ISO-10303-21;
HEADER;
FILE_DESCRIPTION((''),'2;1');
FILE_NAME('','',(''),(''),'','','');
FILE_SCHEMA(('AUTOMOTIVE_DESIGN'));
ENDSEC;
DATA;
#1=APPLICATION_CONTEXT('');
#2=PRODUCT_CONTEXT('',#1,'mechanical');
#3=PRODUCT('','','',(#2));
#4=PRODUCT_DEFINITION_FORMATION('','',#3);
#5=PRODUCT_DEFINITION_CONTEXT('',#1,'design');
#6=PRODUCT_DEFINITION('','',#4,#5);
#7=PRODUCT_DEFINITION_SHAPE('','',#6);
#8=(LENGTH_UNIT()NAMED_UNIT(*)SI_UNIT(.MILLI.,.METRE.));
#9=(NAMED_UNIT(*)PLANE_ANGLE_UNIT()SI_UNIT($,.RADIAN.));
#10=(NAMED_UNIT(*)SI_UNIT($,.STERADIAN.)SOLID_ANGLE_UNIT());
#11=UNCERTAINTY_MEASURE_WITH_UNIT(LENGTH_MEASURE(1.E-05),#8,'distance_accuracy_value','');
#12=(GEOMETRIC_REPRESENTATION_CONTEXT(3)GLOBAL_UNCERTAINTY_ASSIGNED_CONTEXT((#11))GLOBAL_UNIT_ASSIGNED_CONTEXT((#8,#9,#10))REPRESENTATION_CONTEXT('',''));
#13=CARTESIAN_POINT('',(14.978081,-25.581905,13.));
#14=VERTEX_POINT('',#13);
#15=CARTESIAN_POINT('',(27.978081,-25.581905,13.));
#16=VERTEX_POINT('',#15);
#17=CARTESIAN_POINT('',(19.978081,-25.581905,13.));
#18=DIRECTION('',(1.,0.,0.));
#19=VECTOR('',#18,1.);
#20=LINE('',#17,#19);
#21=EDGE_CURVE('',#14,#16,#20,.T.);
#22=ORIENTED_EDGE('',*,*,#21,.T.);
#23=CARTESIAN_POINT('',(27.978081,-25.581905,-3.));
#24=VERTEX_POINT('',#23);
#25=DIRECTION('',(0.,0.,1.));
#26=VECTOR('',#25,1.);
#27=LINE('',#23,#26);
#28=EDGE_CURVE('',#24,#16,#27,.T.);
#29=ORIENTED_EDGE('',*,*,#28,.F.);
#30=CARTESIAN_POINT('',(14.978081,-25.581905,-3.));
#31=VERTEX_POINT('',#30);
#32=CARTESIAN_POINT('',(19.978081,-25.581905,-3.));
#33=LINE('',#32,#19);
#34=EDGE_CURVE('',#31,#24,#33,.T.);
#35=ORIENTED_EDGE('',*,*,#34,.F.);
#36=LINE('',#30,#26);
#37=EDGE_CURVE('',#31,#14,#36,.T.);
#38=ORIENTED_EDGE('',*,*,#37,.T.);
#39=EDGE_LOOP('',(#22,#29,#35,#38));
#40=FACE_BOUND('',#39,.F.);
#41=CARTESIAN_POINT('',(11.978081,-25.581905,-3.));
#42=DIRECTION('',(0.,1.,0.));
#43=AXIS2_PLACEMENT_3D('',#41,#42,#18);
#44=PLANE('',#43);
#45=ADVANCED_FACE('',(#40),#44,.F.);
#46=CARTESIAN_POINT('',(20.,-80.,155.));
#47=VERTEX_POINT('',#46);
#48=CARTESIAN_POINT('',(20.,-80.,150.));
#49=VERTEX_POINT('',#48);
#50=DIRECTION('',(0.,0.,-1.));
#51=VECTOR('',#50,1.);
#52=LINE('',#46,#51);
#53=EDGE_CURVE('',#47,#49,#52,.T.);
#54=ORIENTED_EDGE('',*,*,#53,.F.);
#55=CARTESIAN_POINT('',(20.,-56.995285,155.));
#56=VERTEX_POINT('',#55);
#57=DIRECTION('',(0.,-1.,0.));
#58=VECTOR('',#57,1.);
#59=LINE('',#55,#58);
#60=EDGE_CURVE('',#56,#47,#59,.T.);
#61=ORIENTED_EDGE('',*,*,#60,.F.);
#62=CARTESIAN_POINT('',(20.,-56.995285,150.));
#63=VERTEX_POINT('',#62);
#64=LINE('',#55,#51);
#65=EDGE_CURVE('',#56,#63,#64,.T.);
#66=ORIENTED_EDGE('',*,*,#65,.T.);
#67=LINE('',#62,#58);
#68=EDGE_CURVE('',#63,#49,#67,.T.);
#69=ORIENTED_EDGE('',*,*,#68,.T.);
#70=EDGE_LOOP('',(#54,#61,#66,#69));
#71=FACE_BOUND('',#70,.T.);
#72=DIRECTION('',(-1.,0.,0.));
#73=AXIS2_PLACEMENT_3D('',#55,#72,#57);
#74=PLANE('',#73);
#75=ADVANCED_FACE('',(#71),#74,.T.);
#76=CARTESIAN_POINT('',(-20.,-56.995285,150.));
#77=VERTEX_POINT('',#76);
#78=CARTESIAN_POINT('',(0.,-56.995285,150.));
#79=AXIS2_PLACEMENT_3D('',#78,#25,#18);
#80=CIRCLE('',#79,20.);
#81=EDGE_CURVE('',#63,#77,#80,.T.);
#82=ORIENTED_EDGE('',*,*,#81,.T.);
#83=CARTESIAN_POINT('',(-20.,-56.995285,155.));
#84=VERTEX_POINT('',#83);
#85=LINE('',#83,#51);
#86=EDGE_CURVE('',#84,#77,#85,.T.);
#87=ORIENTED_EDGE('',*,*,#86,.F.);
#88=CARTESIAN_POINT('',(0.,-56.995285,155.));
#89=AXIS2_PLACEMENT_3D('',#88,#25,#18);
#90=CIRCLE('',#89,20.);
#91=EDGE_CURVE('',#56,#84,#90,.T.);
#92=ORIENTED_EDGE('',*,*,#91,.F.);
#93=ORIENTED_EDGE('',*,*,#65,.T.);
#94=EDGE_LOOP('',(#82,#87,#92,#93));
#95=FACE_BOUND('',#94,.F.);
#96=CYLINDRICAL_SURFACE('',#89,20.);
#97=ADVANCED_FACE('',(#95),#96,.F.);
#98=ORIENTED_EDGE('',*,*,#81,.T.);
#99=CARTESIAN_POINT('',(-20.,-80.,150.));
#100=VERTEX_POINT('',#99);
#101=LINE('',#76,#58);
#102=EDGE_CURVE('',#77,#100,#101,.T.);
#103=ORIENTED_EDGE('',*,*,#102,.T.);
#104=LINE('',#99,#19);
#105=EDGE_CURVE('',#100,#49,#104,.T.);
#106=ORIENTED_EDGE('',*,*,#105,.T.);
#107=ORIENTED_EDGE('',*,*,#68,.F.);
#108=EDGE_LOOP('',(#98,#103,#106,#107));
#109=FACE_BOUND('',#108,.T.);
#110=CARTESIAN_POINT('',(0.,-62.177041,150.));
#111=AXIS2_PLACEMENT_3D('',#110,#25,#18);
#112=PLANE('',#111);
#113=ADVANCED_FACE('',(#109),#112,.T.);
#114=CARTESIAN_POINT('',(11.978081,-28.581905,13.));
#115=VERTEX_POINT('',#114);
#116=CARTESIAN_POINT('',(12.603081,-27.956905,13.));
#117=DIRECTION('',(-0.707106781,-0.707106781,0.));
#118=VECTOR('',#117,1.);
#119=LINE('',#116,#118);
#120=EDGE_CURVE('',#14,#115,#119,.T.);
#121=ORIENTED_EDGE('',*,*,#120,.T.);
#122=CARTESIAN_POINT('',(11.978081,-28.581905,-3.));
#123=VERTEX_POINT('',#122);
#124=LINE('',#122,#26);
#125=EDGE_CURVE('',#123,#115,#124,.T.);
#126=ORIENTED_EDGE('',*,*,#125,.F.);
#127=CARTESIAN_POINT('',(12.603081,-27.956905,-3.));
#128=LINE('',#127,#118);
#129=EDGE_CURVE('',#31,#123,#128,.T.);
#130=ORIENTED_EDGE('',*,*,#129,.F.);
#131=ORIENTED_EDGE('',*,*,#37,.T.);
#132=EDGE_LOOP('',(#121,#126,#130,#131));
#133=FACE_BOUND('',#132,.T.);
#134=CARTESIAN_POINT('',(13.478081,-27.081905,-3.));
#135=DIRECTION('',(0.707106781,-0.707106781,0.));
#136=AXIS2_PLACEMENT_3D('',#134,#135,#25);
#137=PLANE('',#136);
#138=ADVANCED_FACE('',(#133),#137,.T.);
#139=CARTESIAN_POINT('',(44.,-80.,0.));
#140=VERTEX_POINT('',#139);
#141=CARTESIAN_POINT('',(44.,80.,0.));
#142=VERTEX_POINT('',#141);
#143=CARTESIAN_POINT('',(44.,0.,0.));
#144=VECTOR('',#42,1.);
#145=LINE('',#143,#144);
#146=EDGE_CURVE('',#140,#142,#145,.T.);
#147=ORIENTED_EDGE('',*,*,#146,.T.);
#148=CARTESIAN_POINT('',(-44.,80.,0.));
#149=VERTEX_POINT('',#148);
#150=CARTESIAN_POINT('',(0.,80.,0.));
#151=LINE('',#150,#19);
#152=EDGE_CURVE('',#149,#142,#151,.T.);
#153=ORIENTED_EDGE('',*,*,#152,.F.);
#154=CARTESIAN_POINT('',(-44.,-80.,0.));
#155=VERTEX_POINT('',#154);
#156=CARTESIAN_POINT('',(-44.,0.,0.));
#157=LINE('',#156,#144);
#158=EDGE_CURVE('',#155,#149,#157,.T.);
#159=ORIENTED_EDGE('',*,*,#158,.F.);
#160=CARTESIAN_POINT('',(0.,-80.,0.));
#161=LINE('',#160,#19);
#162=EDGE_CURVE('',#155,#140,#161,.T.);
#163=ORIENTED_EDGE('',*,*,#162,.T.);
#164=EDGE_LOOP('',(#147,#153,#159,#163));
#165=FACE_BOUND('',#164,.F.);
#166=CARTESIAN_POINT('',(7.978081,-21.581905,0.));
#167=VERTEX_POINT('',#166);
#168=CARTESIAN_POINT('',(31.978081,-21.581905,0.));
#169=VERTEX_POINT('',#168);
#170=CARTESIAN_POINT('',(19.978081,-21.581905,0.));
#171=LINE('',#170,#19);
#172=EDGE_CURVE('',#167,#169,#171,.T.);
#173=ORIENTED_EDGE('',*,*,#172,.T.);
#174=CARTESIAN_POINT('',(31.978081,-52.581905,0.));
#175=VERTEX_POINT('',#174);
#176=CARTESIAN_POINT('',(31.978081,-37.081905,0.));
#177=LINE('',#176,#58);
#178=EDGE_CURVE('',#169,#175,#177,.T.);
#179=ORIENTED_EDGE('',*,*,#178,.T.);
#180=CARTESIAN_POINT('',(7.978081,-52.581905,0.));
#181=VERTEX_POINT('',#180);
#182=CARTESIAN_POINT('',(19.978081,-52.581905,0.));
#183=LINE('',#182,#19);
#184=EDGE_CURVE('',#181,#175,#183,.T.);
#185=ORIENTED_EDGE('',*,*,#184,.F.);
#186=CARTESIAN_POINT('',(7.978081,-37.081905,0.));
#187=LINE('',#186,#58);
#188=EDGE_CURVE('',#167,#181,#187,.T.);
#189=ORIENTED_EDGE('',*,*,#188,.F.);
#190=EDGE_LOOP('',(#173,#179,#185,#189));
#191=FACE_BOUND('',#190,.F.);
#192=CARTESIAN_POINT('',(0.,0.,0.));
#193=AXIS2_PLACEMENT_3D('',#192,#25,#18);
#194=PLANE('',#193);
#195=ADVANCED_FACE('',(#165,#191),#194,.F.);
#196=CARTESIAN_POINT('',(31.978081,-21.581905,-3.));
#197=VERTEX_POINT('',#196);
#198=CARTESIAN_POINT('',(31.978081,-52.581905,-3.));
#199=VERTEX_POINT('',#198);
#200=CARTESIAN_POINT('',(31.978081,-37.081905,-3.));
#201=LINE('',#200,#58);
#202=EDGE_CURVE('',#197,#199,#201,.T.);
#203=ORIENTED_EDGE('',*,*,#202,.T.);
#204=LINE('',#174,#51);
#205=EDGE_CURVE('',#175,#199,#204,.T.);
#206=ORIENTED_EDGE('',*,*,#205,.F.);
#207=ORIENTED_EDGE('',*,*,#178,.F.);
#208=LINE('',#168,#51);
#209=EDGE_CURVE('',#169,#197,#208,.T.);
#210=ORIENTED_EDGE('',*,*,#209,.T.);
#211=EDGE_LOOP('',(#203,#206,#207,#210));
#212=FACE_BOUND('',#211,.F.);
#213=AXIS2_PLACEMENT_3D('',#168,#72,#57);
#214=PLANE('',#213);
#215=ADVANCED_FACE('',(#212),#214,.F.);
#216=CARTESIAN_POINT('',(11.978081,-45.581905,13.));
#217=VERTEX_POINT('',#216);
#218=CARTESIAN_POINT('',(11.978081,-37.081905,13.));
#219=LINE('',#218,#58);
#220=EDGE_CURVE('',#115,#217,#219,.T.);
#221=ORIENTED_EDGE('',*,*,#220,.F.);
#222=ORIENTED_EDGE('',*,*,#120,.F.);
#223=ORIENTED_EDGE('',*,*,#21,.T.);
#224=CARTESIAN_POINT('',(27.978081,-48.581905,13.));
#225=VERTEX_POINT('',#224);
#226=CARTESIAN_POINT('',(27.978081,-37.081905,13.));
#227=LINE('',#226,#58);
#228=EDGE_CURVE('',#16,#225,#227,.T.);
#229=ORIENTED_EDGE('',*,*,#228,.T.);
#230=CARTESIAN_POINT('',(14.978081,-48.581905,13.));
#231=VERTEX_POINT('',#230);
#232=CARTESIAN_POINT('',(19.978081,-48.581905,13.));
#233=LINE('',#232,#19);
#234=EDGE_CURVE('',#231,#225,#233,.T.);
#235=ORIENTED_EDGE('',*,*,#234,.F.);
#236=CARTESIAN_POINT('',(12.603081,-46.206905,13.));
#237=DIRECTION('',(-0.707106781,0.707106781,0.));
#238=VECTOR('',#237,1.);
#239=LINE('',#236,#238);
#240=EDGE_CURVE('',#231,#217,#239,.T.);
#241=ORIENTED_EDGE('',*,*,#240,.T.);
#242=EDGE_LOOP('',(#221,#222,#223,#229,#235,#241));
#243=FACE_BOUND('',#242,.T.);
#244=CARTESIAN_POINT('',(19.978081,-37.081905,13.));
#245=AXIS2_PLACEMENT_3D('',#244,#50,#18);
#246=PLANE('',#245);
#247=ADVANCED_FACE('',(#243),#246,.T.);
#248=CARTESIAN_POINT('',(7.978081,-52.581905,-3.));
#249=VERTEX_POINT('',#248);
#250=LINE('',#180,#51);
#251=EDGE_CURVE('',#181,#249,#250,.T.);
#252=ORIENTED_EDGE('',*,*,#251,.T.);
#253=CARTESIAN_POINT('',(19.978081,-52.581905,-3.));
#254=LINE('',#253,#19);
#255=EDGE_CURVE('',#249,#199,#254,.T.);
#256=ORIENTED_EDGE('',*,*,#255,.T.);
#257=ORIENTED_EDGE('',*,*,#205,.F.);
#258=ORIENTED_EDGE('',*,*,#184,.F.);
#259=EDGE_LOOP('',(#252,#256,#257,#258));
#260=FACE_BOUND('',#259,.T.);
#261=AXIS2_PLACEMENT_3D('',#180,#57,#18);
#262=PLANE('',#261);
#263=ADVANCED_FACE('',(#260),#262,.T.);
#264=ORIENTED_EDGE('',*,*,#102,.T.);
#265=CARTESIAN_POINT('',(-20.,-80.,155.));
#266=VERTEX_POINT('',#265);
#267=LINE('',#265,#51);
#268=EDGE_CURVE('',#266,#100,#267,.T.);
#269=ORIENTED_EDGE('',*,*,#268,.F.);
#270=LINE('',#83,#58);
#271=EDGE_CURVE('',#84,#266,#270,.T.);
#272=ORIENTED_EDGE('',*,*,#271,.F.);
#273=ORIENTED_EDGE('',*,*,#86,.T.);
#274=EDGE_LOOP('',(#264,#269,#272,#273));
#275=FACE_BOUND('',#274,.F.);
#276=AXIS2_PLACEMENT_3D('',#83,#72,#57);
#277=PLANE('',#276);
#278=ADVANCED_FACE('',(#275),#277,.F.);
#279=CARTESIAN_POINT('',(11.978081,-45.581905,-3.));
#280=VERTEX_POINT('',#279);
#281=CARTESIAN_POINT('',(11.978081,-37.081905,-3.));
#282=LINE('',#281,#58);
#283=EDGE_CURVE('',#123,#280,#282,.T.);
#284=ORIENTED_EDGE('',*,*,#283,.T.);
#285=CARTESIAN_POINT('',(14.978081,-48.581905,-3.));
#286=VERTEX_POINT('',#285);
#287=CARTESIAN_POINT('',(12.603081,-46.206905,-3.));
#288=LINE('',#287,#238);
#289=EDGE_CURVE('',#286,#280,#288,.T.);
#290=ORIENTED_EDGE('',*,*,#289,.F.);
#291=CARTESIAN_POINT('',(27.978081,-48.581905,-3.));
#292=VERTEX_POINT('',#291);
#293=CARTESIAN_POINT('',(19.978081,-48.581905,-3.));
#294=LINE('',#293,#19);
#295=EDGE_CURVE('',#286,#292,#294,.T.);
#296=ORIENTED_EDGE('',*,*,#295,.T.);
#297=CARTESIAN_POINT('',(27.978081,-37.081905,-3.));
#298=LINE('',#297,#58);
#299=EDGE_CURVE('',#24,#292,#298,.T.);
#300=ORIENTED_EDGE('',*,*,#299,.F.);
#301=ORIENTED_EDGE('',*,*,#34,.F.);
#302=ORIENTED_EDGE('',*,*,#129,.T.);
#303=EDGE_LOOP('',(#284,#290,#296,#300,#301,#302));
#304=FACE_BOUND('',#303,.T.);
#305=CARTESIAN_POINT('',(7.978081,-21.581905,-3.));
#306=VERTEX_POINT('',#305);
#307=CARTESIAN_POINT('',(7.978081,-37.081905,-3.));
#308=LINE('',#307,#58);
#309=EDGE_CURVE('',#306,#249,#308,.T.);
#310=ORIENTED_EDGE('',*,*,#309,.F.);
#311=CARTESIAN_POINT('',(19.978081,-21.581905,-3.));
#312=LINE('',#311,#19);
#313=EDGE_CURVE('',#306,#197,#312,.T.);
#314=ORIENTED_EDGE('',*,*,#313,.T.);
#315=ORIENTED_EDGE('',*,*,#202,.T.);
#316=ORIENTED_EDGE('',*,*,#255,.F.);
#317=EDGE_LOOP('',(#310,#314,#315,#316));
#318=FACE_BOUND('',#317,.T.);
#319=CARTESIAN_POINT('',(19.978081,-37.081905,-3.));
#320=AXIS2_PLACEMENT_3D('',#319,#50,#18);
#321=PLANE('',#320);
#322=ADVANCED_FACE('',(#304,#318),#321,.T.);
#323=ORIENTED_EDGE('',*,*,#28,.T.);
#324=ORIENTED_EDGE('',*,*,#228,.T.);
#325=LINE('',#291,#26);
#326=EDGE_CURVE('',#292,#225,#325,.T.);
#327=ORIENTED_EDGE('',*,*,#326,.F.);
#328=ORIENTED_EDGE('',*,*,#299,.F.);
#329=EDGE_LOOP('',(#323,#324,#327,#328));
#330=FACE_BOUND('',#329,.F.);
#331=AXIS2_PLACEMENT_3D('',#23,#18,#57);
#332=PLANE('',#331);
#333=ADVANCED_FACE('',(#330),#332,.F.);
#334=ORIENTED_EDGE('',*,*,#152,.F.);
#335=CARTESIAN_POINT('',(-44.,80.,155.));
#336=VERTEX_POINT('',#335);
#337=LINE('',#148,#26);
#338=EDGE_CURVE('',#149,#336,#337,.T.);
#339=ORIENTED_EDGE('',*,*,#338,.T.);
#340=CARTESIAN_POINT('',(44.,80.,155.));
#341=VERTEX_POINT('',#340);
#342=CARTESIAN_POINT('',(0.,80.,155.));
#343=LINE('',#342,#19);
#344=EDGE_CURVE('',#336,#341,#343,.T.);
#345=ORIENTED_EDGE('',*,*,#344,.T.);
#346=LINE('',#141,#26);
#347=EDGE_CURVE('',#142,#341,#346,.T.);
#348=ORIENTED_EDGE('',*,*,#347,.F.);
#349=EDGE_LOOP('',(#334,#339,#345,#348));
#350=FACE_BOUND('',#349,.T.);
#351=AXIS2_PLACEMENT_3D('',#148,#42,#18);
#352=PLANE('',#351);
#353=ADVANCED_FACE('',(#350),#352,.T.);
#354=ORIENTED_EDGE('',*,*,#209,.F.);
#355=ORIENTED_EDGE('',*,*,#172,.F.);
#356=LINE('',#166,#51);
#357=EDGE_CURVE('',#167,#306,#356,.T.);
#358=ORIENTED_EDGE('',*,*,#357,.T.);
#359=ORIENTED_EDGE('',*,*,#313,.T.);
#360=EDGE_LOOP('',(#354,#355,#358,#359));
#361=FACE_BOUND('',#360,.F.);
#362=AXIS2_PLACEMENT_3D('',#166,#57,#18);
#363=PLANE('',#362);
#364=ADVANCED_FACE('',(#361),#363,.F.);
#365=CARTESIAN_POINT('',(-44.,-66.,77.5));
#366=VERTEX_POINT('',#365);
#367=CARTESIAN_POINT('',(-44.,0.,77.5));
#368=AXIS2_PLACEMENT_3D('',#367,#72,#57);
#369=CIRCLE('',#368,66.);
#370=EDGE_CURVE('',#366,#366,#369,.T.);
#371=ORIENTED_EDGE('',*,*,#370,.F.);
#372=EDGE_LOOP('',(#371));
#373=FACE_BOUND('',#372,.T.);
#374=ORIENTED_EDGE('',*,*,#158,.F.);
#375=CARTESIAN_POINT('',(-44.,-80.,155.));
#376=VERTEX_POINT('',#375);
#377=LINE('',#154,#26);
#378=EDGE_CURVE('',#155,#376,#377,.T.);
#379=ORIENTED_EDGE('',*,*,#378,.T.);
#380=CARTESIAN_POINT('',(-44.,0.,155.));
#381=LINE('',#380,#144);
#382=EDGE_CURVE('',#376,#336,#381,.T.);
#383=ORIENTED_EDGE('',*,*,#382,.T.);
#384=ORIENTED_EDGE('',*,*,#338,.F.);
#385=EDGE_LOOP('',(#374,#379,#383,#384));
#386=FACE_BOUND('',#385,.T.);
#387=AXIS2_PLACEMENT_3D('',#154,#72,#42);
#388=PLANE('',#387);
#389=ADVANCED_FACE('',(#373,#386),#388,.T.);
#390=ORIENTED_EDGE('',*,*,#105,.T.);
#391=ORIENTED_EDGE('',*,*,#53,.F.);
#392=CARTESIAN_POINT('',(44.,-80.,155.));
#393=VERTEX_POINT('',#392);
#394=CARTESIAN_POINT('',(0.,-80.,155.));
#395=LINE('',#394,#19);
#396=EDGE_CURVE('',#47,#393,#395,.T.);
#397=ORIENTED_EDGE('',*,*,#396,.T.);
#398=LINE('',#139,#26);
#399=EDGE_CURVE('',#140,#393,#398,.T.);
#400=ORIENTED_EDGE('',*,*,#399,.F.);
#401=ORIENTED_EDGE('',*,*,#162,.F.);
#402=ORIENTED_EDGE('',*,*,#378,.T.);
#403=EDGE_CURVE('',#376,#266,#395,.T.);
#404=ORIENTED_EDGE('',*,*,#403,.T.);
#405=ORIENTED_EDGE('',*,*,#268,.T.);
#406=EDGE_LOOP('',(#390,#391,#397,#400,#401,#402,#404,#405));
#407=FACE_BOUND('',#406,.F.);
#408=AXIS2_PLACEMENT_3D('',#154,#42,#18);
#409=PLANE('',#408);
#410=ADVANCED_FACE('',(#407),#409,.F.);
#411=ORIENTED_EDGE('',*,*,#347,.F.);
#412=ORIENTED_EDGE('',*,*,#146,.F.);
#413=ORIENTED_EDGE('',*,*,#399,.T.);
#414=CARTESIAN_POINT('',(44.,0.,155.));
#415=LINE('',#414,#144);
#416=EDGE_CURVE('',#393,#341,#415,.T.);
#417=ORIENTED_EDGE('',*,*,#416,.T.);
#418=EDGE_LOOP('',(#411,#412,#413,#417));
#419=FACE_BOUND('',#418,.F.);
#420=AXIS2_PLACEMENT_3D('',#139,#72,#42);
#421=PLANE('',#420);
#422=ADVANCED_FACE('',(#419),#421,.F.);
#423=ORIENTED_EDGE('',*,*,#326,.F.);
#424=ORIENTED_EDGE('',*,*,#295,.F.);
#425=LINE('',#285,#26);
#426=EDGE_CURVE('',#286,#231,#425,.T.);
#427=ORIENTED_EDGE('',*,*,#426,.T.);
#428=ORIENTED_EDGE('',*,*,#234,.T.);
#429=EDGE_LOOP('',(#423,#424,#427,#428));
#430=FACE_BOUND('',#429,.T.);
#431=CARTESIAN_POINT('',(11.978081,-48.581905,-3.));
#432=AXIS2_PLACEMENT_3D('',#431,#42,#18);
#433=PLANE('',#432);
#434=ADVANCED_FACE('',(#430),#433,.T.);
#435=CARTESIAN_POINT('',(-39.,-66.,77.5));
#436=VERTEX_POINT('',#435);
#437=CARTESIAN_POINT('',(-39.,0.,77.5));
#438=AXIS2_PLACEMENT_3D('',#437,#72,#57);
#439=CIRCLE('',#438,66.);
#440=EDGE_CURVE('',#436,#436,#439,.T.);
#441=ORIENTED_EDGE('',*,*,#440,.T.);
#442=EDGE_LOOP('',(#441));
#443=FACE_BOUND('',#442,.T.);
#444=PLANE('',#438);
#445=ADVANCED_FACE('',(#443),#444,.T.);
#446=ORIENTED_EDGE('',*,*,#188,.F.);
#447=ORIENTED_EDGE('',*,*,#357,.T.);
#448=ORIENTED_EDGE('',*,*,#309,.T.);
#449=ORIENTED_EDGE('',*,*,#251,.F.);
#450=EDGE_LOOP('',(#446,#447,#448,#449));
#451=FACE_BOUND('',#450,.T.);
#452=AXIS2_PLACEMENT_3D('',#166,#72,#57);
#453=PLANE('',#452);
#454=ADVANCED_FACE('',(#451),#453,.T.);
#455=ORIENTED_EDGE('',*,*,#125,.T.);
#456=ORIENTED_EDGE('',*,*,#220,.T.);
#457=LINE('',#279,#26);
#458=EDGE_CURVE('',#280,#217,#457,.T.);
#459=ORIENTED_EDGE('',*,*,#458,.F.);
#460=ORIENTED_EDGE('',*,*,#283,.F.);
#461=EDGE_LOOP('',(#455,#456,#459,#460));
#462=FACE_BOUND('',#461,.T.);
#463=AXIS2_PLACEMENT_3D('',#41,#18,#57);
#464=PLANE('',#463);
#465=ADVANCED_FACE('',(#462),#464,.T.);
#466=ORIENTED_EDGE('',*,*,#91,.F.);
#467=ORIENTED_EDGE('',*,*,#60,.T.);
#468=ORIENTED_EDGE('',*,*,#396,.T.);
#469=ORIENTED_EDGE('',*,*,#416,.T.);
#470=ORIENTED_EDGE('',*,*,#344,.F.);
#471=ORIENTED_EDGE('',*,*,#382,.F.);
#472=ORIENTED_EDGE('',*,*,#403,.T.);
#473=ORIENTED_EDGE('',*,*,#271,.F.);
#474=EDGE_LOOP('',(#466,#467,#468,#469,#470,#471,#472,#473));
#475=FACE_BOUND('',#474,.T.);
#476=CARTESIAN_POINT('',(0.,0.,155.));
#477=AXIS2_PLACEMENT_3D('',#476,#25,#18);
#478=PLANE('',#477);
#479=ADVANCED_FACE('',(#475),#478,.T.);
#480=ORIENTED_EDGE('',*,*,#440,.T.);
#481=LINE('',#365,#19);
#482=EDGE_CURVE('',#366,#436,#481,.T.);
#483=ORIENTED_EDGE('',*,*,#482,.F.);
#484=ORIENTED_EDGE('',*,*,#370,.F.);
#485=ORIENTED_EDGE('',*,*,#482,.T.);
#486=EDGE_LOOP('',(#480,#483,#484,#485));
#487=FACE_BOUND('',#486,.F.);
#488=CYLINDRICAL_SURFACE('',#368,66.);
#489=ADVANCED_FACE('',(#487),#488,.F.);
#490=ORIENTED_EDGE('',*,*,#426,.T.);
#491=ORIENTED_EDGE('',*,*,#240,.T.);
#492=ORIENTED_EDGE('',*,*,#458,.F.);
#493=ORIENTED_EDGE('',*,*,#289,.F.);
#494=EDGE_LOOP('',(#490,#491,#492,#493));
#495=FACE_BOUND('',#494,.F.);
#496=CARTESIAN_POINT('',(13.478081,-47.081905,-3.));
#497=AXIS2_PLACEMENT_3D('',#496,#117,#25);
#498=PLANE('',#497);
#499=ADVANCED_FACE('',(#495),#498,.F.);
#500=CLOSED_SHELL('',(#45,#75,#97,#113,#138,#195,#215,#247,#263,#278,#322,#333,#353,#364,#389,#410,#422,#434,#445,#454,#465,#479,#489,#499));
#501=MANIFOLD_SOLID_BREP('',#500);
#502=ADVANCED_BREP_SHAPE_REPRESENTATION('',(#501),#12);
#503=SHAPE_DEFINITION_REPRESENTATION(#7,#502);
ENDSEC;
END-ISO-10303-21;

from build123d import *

# Parameters (mm, degrees)
SKETCH_W        = 88
SKETCH_H        = 160
PAD_DEPTH       = 155
SKETCH001_R     = 66
POCKET_DEPTH    = 5
POCKET001_DEPTH = 5
SKETCH003_W     = 24
SKETCH003_H     = 31
PAD001_DEPTH    = 3
SKETCH004_W     = 16
SKETCH004_H     = 23
POCKET002_DEPTH = 16
CHAMFER_SIZE    = 3


with BuildPart() as part:
    # Sketch (on XY_Plane of Origin) → Pad (new body)
    with BuildSketch(Plane.XY):
        Rectangle(SKETCH_W, SKETCH_H)
    extrude(amount=PAD_DEPTH)

    # Sketch001 (on Face4 of Pad) → Pocket (cut)
    with BuildSketch(Plane(origin=(-44, 0, 0), x_dir=(0, -1, 0), z_dir=(-1, 0, 0))):
        with Locations((0, 77.5)):
            Circle(SKETCH001_R)
    extrude(amount=-POCKET_DEPTH, mode=Mode.SUBTRACT)

    # Sketch002 (on Face5 of Pocket) → Pocket001 (cut)
    with BuildSketch(Plane.XY.offset(155)):
        with BuildLine():
            ThreePointArc((20, -56.995285), (0, -36.995285), (-20, -56.995285))
            Line((-20, -56.995285), (-20, -80))
            Line((-20, -80), (20, -80))
            Line((20, -56.995285), (20, -80))
        make_face()
    extrude(amount=-POCKET001_DEPTH, mode=Mode.SUBTRACT)

    # Sketch003 (on Face2 of Pocket001) → Pad001 (join)
    with BuildSketch(Plane(origin=(0, 0, 0), x_dir=(1, 0, 0), z_dir=(0, 0, -1))):
        with Locations((19.978081, 37.081905)):
            Rectangle(SKETCH003_W, SKETCH003_H)
    extrude(amount=PAD001_DEPTH)

    # Sketch004 (on Face16 of Pad001) → Pocket002 (cut)
    with BuildSketch(Plane(origin=(0, 0, -3), x_dir=(1, 0, 0), z_dir=(0, 0, -1))):
        with Locations((19.978081, 37.081905)):
            Rectangle(SKETCH004_W, SKETCH004_H)
    extrude(amount=-POCKET002_DEPTH, mode=Mode.SUBTRACT)

    # Chamfer
    chamfer_edges = [part.edges().sort_by_distance(p)[0] for p in [
        (11.978081, -25.581905, 5),
        (11.978081, -48.581905, 5),
    ]]
    chamfer(chamfer_edges, length=CHAMFER_SIZE)


solid = part.part
